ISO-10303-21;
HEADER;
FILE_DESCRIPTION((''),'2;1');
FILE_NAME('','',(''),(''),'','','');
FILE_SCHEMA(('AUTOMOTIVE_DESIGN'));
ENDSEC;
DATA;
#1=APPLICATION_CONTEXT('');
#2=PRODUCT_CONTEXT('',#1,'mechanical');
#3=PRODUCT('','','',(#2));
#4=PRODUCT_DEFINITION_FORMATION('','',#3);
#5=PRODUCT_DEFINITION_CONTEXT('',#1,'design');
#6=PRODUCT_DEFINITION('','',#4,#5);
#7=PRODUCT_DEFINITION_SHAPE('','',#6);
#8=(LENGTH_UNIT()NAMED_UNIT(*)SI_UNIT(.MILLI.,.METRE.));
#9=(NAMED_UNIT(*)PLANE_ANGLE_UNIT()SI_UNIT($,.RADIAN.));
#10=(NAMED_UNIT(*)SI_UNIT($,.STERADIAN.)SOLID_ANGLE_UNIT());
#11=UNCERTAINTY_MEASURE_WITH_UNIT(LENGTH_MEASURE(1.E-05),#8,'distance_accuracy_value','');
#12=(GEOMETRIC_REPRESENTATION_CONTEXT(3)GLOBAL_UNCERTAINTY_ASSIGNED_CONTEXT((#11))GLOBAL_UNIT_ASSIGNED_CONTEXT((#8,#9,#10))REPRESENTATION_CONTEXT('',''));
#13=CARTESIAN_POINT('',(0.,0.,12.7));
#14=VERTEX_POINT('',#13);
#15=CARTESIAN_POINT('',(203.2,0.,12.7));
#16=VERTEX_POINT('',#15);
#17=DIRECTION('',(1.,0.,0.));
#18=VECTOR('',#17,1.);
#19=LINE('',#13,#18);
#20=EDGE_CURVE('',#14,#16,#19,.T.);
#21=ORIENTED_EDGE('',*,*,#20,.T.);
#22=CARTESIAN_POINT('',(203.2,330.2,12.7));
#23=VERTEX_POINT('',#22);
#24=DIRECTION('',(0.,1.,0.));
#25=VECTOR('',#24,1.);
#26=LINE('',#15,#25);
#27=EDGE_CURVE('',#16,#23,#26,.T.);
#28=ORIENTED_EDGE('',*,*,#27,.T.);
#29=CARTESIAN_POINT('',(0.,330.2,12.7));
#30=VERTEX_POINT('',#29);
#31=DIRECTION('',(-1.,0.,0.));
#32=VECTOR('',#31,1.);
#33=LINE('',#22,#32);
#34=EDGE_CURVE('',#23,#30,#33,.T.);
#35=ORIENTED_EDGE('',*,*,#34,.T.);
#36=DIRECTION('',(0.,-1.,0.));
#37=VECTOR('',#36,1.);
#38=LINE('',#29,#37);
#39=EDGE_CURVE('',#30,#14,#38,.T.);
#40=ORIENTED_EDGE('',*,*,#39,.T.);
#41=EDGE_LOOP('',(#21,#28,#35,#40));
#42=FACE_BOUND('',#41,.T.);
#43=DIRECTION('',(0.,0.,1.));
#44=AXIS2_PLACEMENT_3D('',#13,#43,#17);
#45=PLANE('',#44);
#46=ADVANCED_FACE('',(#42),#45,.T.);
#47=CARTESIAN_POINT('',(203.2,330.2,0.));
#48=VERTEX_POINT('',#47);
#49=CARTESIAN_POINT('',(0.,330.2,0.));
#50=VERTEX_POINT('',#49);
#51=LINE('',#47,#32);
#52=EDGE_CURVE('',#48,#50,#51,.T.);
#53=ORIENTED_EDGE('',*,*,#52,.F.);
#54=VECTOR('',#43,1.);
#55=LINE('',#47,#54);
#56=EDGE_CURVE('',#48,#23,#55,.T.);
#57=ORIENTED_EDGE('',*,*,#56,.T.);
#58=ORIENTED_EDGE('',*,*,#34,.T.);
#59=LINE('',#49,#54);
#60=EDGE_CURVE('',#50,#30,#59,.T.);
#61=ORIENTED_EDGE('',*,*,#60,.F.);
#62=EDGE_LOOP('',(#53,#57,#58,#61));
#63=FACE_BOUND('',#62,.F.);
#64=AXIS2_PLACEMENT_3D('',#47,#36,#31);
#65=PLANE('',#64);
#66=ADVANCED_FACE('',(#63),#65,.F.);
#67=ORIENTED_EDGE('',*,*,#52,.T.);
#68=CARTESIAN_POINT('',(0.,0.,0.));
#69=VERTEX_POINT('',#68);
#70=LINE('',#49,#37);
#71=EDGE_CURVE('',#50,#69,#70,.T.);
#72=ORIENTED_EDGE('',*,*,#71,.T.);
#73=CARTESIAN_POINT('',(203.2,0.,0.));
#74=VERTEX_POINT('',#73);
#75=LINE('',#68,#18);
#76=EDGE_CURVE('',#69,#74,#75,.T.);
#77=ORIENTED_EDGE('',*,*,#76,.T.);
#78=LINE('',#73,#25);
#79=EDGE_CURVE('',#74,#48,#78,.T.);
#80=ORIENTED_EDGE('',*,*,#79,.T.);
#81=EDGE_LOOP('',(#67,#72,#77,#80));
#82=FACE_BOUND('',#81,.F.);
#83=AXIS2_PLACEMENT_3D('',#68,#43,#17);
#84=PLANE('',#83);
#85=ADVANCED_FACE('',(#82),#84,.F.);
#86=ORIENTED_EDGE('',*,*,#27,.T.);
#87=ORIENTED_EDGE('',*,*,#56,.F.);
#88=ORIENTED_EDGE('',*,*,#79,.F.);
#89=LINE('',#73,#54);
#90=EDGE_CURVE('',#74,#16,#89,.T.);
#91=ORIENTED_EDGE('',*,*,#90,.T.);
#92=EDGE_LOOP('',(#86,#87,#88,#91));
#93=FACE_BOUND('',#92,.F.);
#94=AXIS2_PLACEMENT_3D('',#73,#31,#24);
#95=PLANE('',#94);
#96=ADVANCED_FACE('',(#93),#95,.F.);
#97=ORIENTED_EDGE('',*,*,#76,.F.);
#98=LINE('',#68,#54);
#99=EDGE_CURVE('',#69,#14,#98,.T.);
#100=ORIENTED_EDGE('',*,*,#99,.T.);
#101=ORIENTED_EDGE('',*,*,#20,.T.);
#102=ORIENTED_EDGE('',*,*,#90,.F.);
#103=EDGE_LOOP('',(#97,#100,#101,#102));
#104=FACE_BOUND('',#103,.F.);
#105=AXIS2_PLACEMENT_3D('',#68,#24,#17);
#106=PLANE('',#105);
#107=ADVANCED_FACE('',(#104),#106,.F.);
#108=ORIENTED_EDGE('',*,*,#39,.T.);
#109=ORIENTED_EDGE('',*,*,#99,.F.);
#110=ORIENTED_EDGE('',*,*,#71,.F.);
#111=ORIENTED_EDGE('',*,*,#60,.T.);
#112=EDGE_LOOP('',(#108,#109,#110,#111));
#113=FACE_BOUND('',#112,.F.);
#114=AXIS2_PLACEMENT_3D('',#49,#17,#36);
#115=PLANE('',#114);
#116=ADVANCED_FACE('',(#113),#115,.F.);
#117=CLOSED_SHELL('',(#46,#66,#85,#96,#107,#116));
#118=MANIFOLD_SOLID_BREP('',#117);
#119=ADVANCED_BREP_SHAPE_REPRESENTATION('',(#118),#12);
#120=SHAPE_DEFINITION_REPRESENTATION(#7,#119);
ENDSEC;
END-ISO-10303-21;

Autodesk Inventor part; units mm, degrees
ref_plane "YZ Plane" through (0, 0, 0) normal (1, 0, 0) x (0, 1, 0)
ref_plane "XZ Plane" through (0, 0, 0) normal (0, 1, 0) x (-1, 0, 0)
ref_plane "XY Plane" through (0, 0, 0) normal (0, 0, 1) x (1, 0, 0)
sketch "Sketch1" plane through (0, 0, 0) normal (0, 0, 1) x (1, 0, 0)
  line L0 (0, 0) -> (203.2, 0)
  line L1 (203.2, 0) -> (203.2, 330.2)
  line L2 (203.2, 330.2) -> (0, 330.2)
  line L3 (0, 330.2) -> (0, 0)
  dimension "d7" = 203.2
  dimension "d8" = 330.2
extrude "Extrusion1" add sketch "Sketch1" along normal blind 12.7
properties material "MDF Medium Density Fiberboard"
